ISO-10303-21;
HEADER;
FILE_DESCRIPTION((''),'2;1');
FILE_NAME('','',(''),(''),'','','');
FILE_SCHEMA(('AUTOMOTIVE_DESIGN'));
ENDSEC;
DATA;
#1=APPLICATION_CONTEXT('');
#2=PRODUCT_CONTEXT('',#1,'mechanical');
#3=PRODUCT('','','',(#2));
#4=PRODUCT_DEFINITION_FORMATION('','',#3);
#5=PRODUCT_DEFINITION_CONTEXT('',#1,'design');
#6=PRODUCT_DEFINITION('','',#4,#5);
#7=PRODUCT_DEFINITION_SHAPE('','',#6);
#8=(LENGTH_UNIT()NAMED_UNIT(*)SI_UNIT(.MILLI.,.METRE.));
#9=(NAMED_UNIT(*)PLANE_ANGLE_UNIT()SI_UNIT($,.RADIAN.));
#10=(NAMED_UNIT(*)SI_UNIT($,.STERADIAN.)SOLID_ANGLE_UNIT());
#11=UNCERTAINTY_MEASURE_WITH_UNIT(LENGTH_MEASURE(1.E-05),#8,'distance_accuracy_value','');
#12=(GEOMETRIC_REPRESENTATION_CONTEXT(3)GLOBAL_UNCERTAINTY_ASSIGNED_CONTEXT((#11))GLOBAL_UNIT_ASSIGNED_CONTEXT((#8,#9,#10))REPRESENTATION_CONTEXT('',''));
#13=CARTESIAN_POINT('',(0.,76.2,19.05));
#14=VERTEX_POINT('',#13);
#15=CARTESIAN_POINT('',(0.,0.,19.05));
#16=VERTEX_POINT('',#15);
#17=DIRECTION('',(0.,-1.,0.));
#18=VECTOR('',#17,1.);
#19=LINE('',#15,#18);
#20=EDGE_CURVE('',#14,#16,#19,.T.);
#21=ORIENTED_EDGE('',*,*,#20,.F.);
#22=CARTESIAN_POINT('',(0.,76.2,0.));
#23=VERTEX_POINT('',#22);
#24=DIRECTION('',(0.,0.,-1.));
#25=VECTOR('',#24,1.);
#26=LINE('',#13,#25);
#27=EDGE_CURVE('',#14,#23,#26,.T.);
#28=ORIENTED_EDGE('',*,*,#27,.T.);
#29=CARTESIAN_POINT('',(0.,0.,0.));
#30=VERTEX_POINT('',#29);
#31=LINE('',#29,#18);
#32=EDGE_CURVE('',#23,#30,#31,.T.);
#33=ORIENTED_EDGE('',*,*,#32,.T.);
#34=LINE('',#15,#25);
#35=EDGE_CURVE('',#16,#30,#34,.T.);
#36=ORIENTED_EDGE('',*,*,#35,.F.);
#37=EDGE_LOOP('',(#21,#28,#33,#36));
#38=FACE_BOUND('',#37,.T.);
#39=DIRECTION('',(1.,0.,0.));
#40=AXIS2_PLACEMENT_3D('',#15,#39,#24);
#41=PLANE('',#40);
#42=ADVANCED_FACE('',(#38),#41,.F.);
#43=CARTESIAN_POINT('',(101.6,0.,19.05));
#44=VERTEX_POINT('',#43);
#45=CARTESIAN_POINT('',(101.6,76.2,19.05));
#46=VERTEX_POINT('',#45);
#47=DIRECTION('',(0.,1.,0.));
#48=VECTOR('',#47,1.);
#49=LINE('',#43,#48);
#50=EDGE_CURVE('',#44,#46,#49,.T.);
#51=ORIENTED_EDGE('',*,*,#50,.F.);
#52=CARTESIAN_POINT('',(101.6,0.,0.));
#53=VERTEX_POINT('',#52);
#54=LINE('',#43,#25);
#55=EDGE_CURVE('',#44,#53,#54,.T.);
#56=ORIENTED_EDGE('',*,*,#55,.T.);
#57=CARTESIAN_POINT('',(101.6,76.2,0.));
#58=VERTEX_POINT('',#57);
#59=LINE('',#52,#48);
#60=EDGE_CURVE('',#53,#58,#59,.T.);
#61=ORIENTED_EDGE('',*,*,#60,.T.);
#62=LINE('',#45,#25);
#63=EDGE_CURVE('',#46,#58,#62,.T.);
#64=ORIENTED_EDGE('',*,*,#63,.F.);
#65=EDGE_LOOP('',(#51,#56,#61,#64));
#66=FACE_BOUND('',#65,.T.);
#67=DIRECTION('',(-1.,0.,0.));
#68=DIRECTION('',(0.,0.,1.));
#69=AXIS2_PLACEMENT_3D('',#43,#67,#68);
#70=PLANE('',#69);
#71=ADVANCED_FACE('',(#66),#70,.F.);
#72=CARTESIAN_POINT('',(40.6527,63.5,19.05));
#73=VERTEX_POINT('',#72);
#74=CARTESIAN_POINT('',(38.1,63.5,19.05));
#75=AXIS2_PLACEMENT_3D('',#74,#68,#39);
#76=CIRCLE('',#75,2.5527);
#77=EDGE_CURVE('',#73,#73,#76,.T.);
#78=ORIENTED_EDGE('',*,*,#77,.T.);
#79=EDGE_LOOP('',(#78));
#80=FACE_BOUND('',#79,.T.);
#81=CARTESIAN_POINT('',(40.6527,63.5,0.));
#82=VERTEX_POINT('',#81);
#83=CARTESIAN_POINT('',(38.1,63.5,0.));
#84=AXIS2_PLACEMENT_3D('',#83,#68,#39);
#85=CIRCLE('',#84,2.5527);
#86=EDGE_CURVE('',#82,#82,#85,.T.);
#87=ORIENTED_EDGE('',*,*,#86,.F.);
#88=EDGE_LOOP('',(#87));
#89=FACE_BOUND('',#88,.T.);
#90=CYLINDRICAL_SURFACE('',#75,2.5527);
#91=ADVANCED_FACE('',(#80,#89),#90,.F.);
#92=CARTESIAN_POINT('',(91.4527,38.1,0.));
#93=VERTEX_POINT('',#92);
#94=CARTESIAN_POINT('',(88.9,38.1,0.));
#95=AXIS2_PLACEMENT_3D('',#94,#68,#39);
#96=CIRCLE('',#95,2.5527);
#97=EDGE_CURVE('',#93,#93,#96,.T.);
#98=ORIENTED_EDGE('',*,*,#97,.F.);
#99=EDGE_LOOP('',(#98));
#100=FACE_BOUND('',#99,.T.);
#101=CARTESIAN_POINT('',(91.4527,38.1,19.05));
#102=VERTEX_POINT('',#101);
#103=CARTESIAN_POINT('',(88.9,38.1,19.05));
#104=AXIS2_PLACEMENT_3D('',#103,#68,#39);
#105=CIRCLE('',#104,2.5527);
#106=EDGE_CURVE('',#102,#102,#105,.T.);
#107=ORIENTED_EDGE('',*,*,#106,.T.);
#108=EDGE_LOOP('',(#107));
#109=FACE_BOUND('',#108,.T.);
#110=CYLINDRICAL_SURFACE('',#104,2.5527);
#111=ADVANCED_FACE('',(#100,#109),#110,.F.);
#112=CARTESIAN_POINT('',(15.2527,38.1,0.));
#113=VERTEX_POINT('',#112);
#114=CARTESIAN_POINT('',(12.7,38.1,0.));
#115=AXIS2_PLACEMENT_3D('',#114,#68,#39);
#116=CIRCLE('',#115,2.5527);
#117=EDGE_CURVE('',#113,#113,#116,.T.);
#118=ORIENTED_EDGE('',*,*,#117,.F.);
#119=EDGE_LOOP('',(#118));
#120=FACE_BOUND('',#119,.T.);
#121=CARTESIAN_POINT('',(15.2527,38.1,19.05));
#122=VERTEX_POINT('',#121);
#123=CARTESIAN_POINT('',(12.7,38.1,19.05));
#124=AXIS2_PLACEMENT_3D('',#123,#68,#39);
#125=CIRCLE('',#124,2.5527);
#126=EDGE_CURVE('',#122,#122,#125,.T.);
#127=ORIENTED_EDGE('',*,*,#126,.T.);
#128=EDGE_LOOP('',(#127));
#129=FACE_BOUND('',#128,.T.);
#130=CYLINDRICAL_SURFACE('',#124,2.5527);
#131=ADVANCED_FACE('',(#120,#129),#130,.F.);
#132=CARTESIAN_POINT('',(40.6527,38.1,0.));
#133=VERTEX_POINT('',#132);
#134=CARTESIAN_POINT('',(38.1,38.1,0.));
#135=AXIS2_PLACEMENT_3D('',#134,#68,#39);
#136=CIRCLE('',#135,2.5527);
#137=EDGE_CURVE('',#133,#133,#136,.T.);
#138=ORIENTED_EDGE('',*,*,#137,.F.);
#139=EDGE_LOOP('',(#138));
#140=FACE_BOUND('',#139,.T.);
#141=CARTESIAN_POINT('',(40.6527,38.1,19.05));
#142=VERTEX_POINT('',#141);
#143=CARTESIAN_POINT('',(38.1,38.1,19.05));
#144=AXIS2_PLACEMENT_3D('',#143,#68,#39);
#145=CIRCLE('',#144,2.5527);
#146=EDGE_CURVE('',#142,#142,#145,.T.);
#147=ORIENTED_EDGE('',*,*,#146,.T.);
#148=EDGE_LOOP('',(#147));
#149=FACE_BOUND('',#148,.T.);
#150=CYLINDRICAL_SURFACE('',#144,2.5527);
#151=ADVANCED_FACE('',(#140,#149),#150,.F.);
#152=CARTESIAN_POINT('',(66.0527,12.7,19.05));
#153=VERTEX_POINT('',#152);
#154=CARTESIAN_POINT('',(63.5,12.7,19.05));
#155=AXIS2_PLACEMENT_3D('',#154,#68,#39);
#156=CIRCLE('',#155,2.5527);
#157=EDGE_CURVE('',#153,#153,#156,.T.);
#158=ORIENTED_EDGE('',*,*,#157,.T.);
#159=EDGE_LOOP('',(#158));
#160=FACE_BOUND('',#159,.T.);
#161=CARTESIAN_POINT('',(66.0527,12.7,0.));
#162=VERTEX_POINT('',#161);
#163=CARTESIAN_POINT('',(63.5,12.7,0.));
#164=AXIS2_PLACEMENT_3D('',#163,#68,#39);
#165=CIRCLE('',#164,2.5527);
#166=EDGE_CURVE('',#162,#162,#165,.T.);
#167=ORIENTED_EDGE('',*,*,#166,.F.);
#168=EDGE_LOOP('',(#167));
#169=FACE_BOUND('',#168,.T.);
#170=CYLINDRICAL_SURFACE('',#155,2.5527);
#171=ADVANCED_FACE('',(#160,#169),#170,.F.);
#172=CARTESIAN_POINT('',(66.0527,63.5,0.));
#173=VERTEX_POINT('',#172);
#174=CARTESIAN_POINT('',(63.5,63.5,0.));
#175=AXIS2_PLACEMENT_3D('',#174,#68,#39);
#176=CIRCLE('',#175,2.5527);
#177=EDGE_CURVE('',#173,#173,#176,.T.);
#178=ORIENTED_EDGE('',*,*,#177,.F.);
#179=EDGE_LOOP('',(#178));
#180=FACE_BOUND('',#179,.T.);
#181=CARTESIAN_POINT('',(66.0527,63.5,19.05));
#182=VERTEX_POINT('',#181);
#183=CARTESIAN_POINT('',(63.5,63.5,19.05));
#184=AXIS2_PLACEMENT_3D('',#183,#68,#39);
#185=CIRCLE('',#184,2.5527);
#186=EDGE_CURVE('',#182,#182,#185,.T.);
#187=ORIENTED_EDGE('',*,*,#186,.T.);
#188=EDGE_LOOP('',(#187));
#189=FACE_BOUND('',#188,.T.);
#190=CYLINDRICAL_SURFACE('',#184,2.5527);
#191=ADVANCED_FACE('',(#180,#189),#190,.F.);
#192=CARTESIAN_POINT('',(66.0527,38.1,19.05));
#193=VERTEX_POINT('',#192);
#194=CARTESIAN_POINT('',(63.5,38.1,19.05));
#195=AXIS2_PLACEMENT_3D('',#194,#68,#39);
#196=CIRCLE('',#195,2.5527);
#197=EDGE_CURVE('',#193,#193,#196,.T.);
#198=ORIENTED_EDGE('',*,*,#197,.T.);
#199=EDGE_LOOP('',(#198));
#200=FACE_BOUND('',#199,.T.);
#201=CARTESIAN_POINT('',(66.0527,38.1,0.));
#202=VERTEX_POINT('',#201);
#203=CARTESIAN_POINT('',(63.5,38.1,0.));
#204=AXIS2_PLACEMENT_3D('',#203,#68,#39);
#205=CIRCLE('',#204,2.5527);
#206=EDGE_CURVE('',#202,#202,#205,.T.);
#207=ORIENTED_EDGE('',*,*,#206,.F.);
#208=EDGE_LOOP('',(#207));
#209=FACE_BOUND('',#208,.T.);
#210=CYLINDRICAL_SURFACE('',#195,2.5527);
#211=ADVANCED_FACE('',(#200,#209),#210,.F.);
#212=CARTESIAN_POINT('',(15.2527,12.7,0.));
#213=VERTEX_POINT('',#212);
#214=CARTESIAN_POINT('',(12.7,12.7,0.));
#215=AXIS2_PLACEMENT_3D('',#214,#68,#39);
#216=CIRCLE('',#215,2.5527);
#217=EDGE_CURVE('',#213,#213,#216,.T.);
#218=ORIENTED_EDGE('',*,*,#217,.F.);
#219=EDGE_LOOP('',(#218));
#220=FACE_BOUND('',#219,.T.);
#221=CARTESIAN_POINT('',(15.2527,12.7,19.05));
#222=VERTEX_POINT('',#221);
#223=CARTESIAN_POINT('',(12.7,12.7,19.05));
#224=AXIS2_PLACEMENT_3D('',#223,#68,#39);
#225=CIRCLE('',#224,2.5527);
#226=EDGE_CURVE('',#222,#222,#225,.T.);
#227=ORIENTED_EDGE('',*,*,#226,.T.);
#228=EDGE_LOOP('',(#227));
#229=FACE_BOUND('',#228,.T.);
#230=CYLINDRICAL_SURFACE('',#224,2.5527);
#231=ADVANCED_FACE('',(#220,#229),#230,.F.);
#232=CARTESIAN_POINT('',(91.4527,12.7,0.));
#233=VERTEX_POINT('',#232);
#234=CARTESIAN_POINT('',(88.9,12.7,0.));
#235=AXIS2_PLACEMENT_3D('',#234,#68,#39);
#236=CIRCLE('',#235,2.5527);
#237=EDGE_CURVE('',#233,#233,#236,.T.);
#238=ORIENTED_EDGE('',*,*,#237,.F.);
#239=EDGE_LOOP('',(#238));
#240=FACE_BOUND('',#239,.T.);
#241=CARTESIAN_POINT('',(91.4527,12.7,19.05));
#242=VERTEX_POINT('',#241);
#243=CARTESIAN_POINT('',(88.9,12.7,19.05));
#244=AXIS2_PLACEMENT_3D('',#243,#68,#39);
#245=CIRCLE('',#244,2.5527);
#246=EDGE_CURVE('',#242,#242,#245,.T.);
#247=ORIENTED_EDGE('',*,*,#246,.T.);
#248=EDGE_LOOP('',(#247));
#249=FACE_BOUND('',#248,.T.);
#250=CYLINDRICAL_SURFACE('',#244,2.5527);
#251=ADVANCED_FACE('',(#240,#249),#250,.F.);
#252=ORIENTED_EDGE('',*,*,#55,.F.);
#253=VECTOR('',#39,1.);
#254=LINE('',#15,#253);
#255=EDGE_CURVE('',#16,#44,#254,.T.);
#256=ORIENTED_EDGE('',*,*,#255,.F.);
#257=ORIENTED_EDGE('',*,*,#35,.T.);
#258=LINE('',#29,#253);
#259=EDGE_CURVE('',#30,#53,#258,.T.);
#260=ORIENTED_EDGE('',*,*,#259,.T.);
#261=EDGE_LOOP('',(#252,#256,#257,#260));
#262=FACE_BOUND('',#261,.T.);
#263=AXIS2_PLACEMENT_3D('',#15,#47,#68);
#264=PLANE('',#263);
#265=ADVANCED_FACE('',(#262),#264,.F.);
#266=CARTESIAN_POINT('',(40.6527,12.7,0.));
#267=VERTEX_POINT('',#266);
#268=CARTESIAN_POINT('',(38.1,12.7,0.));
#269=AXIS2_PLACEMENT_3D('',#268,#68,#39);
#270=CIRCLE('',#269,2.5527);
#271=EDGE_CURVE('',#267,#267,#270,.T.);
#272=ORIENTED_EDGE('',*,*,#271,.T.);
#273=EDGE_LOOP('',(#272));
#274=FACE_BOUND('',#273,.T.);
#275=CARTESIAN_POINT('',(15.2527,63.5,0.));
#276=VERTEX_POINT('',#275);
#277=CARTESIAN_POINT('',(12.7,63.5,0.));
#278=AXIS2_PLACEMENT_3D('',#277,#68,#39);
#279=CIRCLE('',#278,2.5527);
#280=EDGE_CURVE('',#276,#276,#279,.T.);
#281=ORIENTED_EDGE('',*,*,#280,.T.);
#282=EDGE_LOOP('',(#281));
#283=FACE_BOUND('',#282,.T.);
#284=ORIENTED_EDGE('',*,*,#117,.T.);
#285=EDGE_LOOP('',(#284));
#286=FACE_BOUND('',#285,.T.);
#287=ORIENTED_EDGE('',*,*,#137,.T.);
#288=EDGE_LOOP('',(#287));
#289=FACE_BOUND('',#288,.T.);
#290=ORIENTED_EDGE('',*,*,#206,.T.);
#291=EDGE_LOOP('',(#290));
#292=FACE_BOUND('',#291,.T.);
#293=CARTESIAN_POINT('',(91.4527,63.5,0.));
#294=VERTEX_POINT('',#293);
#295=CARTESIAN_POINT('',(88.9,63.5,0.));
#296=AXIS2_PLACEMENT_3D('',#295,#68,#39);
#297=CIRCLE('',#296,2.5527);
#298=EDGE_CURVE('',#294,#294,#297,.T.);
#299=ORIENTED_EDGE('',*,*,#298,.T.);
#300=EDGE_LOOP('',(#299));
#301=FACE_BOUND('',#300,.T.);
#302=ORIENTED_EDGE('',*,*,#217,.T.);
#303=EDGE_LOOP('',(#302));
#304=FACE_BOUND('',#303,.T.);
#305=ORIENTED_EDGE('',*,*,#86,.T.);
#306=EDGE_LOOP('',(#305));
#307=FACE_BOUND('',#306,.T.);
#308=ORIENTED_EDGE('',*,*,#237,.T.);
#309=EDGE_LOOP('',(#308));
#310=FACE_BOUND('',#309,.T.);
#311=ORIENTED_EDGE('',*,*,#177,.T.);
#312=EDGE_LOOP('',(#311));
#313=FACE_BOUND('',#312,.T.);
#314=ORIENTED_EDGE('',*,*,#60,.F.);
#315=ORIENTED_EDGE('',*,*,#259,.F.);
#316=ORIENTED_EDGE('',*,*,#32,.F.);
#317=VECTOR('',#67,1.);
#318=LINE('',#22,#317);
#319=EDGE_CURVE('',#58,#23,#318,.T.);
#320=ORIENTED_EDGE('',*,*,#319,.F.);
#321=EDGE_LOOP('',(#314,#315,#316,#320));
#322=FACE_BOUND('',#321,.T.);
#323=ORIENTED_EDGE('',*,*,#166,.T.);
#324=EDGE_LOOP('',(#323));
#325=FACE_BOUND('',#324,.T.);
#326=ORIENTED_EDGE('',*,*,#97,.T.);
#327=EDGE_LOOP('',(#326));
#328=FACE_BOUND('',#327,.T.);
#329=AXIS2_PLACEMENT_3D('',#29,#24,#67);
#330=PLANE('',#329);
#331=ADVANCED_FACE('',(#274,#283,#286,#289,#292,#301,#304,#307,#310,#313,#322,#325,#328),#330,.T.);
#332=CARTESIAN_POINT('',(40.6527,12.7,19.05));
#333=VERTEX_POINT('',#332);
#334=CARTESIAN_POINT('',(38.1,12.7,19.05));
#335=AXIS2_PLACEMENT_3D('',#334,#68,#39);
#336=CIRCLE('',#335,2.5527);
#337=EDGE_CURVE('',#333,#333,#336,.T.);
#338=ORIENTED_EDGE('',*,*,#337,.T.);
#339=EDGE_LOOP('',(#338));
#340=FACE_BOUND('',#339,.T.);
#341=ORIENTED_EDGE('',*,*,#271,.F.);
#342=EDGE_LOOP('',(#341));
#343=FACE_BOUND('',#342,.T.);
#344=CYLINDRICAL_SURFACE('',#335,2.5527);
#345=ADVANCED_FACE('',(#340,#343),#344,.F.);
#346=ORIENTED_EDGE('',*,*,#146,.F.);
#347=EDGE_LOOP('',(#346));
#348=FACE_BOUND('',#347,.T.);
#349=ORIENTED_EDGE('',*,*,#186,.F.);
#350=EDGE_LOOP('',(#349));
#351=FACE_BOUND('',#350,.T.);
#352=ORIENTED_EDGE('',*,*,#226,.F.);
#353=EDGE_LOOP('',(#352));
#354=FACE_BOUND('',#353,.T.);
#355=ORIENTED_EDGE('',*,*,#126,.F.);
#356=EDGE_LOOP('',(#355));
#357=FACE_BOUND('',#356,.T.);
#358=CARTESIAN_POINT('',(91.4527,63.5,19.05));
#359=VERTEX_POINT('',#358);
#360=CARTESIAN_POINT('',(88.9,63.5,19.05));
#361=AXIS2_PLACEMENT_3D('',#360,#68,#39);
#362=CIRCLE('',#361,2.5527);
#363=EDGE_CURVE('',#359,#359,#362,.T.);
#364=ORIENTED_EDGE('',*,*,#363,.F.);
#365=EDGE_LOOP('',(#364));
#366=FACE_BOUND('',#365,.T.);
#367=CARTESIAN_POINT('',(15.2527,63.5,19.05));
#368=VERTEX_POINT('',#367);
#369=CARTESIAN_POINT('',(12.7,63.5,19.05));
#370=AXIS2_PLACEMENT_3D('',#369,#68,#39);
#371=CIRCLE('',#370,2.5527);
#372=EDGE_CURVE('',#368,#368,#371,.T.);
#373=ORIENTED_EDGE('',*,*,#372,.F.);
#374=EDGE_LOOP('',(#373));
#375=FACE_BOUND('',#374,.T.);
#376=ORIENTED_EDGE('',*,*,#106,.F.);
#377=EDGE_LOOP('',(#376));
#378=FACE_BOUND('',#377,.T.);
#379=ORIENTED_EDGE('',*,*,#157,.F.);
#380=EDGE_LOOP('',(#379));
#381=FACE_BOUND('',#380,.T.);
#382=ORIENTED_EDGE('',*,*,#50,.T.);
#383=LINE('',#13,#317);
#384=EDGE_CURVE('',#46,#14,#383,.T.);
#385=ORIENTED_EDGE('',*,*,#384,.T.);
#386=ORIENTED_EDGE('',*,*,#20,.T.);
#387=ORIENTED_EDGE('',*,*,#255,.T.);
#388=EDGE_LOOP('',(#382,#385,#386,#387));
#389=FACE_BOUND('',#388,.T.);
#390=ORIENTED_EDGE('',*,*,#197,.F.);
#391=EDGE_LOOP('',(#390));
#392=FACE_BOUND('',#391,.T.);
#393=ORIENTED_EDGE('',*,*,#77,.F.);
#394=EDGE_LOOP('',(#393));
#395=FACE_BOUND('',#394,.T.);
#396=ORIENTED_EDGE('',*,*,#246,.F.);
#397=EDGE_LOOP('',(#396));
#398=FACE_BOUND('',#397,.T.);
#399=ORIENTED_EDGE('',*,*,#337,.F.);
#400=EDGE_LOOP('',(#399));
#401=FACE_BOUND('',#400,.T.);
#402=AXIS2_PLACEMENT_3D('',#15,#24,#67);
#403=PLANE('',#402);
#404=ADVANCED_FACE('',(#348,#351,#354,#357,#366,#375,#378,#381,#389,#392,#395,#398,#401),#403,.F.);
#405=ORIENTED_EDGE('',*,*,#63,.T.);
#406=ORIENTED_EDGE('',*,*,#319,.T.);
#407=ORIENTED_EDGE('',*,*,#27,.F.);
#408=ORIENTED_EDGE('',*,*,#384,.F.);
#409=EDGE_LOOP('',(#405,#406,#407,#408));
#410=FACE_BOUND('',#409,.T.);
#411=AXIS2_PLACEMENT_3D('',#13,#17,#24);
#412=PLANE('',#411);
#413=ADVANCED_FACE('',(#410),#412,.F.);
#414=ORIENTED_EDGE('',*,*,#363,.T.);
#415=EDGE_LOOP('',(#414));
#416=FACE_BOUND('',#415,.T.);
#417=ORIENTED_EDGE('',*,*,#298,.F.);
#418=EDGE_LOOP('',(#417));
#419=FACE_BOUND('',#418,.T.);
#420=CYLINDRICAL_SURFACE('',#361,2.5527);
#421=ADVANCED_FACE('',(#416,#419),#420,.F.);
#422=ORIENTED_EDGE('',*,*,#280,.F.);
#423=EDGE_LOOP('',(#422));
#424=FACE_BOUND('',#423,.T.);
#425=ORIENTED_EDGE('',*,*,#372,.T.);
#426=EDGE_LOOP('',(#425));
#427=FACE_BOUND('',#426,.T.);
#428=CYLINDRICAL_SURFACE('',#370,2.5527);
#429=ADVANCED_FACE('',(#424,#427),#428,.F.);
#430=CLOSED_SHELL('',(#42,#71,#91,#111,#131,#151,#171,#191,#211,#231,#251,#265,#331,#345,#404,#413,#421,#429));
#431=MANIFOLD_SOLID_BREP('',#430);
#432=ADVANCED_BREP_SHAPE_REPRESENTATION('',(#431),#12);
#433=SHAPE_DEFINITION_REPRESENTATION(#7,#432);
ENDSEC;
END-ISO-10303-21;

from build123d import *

# Parameters (mm, degrees)
SKETCH1_W               = 101.6
SKETCH1_H               = 76.2
BOSS_EXTRUDE1_DEPTH     = 19.05
F_1_4_20_TAPPED_HOLE1_D = 5.1054
LPATTERN1_COUNT         = 4
LPATTERN1_PITCH         = 25.4
LPATTERN1_COUNT_DIR2    = 3
LPATTERN1_PITCH_DIR2    = 25.4


with BuildPart() as part:
    # Sketch1 → Boss-Extrude1 (new body)
    with BuildSketch(Plane.XY):
        with Locations((50.8, 38.1)):
            Rectangle(SKETCH1_W, SKETCH1_H)
    extrude(amount=BOSS_EXTRUDE1_DEPTH)

    # 1/4-20 Tapped Hole1 (through all)
    with Locations(Plane.XY.offset(19.05)):
        with Locations((12.7, 63.5)):
            f_1_4_20_tapped_hole1 = Hole(F_1_4_20_TAPPED_HOLE1_D / 2)

    # LPattern1: 1_4-20 Tapped Hole1 4 × 3
    with Locations(*[(i * LPATTERN1_PITCH, -j * LPATTERN1_PITCH_DIR2, 0) for i in range(LPATTERN1_COUNT) for j in range(LPATTERN1_COUNT_DIR2) if (i, j) != (0, 0)]):
        add(f_1_4_20_tapped_hole1, mode=Mode.SUBTRACT)


solid = part.part
